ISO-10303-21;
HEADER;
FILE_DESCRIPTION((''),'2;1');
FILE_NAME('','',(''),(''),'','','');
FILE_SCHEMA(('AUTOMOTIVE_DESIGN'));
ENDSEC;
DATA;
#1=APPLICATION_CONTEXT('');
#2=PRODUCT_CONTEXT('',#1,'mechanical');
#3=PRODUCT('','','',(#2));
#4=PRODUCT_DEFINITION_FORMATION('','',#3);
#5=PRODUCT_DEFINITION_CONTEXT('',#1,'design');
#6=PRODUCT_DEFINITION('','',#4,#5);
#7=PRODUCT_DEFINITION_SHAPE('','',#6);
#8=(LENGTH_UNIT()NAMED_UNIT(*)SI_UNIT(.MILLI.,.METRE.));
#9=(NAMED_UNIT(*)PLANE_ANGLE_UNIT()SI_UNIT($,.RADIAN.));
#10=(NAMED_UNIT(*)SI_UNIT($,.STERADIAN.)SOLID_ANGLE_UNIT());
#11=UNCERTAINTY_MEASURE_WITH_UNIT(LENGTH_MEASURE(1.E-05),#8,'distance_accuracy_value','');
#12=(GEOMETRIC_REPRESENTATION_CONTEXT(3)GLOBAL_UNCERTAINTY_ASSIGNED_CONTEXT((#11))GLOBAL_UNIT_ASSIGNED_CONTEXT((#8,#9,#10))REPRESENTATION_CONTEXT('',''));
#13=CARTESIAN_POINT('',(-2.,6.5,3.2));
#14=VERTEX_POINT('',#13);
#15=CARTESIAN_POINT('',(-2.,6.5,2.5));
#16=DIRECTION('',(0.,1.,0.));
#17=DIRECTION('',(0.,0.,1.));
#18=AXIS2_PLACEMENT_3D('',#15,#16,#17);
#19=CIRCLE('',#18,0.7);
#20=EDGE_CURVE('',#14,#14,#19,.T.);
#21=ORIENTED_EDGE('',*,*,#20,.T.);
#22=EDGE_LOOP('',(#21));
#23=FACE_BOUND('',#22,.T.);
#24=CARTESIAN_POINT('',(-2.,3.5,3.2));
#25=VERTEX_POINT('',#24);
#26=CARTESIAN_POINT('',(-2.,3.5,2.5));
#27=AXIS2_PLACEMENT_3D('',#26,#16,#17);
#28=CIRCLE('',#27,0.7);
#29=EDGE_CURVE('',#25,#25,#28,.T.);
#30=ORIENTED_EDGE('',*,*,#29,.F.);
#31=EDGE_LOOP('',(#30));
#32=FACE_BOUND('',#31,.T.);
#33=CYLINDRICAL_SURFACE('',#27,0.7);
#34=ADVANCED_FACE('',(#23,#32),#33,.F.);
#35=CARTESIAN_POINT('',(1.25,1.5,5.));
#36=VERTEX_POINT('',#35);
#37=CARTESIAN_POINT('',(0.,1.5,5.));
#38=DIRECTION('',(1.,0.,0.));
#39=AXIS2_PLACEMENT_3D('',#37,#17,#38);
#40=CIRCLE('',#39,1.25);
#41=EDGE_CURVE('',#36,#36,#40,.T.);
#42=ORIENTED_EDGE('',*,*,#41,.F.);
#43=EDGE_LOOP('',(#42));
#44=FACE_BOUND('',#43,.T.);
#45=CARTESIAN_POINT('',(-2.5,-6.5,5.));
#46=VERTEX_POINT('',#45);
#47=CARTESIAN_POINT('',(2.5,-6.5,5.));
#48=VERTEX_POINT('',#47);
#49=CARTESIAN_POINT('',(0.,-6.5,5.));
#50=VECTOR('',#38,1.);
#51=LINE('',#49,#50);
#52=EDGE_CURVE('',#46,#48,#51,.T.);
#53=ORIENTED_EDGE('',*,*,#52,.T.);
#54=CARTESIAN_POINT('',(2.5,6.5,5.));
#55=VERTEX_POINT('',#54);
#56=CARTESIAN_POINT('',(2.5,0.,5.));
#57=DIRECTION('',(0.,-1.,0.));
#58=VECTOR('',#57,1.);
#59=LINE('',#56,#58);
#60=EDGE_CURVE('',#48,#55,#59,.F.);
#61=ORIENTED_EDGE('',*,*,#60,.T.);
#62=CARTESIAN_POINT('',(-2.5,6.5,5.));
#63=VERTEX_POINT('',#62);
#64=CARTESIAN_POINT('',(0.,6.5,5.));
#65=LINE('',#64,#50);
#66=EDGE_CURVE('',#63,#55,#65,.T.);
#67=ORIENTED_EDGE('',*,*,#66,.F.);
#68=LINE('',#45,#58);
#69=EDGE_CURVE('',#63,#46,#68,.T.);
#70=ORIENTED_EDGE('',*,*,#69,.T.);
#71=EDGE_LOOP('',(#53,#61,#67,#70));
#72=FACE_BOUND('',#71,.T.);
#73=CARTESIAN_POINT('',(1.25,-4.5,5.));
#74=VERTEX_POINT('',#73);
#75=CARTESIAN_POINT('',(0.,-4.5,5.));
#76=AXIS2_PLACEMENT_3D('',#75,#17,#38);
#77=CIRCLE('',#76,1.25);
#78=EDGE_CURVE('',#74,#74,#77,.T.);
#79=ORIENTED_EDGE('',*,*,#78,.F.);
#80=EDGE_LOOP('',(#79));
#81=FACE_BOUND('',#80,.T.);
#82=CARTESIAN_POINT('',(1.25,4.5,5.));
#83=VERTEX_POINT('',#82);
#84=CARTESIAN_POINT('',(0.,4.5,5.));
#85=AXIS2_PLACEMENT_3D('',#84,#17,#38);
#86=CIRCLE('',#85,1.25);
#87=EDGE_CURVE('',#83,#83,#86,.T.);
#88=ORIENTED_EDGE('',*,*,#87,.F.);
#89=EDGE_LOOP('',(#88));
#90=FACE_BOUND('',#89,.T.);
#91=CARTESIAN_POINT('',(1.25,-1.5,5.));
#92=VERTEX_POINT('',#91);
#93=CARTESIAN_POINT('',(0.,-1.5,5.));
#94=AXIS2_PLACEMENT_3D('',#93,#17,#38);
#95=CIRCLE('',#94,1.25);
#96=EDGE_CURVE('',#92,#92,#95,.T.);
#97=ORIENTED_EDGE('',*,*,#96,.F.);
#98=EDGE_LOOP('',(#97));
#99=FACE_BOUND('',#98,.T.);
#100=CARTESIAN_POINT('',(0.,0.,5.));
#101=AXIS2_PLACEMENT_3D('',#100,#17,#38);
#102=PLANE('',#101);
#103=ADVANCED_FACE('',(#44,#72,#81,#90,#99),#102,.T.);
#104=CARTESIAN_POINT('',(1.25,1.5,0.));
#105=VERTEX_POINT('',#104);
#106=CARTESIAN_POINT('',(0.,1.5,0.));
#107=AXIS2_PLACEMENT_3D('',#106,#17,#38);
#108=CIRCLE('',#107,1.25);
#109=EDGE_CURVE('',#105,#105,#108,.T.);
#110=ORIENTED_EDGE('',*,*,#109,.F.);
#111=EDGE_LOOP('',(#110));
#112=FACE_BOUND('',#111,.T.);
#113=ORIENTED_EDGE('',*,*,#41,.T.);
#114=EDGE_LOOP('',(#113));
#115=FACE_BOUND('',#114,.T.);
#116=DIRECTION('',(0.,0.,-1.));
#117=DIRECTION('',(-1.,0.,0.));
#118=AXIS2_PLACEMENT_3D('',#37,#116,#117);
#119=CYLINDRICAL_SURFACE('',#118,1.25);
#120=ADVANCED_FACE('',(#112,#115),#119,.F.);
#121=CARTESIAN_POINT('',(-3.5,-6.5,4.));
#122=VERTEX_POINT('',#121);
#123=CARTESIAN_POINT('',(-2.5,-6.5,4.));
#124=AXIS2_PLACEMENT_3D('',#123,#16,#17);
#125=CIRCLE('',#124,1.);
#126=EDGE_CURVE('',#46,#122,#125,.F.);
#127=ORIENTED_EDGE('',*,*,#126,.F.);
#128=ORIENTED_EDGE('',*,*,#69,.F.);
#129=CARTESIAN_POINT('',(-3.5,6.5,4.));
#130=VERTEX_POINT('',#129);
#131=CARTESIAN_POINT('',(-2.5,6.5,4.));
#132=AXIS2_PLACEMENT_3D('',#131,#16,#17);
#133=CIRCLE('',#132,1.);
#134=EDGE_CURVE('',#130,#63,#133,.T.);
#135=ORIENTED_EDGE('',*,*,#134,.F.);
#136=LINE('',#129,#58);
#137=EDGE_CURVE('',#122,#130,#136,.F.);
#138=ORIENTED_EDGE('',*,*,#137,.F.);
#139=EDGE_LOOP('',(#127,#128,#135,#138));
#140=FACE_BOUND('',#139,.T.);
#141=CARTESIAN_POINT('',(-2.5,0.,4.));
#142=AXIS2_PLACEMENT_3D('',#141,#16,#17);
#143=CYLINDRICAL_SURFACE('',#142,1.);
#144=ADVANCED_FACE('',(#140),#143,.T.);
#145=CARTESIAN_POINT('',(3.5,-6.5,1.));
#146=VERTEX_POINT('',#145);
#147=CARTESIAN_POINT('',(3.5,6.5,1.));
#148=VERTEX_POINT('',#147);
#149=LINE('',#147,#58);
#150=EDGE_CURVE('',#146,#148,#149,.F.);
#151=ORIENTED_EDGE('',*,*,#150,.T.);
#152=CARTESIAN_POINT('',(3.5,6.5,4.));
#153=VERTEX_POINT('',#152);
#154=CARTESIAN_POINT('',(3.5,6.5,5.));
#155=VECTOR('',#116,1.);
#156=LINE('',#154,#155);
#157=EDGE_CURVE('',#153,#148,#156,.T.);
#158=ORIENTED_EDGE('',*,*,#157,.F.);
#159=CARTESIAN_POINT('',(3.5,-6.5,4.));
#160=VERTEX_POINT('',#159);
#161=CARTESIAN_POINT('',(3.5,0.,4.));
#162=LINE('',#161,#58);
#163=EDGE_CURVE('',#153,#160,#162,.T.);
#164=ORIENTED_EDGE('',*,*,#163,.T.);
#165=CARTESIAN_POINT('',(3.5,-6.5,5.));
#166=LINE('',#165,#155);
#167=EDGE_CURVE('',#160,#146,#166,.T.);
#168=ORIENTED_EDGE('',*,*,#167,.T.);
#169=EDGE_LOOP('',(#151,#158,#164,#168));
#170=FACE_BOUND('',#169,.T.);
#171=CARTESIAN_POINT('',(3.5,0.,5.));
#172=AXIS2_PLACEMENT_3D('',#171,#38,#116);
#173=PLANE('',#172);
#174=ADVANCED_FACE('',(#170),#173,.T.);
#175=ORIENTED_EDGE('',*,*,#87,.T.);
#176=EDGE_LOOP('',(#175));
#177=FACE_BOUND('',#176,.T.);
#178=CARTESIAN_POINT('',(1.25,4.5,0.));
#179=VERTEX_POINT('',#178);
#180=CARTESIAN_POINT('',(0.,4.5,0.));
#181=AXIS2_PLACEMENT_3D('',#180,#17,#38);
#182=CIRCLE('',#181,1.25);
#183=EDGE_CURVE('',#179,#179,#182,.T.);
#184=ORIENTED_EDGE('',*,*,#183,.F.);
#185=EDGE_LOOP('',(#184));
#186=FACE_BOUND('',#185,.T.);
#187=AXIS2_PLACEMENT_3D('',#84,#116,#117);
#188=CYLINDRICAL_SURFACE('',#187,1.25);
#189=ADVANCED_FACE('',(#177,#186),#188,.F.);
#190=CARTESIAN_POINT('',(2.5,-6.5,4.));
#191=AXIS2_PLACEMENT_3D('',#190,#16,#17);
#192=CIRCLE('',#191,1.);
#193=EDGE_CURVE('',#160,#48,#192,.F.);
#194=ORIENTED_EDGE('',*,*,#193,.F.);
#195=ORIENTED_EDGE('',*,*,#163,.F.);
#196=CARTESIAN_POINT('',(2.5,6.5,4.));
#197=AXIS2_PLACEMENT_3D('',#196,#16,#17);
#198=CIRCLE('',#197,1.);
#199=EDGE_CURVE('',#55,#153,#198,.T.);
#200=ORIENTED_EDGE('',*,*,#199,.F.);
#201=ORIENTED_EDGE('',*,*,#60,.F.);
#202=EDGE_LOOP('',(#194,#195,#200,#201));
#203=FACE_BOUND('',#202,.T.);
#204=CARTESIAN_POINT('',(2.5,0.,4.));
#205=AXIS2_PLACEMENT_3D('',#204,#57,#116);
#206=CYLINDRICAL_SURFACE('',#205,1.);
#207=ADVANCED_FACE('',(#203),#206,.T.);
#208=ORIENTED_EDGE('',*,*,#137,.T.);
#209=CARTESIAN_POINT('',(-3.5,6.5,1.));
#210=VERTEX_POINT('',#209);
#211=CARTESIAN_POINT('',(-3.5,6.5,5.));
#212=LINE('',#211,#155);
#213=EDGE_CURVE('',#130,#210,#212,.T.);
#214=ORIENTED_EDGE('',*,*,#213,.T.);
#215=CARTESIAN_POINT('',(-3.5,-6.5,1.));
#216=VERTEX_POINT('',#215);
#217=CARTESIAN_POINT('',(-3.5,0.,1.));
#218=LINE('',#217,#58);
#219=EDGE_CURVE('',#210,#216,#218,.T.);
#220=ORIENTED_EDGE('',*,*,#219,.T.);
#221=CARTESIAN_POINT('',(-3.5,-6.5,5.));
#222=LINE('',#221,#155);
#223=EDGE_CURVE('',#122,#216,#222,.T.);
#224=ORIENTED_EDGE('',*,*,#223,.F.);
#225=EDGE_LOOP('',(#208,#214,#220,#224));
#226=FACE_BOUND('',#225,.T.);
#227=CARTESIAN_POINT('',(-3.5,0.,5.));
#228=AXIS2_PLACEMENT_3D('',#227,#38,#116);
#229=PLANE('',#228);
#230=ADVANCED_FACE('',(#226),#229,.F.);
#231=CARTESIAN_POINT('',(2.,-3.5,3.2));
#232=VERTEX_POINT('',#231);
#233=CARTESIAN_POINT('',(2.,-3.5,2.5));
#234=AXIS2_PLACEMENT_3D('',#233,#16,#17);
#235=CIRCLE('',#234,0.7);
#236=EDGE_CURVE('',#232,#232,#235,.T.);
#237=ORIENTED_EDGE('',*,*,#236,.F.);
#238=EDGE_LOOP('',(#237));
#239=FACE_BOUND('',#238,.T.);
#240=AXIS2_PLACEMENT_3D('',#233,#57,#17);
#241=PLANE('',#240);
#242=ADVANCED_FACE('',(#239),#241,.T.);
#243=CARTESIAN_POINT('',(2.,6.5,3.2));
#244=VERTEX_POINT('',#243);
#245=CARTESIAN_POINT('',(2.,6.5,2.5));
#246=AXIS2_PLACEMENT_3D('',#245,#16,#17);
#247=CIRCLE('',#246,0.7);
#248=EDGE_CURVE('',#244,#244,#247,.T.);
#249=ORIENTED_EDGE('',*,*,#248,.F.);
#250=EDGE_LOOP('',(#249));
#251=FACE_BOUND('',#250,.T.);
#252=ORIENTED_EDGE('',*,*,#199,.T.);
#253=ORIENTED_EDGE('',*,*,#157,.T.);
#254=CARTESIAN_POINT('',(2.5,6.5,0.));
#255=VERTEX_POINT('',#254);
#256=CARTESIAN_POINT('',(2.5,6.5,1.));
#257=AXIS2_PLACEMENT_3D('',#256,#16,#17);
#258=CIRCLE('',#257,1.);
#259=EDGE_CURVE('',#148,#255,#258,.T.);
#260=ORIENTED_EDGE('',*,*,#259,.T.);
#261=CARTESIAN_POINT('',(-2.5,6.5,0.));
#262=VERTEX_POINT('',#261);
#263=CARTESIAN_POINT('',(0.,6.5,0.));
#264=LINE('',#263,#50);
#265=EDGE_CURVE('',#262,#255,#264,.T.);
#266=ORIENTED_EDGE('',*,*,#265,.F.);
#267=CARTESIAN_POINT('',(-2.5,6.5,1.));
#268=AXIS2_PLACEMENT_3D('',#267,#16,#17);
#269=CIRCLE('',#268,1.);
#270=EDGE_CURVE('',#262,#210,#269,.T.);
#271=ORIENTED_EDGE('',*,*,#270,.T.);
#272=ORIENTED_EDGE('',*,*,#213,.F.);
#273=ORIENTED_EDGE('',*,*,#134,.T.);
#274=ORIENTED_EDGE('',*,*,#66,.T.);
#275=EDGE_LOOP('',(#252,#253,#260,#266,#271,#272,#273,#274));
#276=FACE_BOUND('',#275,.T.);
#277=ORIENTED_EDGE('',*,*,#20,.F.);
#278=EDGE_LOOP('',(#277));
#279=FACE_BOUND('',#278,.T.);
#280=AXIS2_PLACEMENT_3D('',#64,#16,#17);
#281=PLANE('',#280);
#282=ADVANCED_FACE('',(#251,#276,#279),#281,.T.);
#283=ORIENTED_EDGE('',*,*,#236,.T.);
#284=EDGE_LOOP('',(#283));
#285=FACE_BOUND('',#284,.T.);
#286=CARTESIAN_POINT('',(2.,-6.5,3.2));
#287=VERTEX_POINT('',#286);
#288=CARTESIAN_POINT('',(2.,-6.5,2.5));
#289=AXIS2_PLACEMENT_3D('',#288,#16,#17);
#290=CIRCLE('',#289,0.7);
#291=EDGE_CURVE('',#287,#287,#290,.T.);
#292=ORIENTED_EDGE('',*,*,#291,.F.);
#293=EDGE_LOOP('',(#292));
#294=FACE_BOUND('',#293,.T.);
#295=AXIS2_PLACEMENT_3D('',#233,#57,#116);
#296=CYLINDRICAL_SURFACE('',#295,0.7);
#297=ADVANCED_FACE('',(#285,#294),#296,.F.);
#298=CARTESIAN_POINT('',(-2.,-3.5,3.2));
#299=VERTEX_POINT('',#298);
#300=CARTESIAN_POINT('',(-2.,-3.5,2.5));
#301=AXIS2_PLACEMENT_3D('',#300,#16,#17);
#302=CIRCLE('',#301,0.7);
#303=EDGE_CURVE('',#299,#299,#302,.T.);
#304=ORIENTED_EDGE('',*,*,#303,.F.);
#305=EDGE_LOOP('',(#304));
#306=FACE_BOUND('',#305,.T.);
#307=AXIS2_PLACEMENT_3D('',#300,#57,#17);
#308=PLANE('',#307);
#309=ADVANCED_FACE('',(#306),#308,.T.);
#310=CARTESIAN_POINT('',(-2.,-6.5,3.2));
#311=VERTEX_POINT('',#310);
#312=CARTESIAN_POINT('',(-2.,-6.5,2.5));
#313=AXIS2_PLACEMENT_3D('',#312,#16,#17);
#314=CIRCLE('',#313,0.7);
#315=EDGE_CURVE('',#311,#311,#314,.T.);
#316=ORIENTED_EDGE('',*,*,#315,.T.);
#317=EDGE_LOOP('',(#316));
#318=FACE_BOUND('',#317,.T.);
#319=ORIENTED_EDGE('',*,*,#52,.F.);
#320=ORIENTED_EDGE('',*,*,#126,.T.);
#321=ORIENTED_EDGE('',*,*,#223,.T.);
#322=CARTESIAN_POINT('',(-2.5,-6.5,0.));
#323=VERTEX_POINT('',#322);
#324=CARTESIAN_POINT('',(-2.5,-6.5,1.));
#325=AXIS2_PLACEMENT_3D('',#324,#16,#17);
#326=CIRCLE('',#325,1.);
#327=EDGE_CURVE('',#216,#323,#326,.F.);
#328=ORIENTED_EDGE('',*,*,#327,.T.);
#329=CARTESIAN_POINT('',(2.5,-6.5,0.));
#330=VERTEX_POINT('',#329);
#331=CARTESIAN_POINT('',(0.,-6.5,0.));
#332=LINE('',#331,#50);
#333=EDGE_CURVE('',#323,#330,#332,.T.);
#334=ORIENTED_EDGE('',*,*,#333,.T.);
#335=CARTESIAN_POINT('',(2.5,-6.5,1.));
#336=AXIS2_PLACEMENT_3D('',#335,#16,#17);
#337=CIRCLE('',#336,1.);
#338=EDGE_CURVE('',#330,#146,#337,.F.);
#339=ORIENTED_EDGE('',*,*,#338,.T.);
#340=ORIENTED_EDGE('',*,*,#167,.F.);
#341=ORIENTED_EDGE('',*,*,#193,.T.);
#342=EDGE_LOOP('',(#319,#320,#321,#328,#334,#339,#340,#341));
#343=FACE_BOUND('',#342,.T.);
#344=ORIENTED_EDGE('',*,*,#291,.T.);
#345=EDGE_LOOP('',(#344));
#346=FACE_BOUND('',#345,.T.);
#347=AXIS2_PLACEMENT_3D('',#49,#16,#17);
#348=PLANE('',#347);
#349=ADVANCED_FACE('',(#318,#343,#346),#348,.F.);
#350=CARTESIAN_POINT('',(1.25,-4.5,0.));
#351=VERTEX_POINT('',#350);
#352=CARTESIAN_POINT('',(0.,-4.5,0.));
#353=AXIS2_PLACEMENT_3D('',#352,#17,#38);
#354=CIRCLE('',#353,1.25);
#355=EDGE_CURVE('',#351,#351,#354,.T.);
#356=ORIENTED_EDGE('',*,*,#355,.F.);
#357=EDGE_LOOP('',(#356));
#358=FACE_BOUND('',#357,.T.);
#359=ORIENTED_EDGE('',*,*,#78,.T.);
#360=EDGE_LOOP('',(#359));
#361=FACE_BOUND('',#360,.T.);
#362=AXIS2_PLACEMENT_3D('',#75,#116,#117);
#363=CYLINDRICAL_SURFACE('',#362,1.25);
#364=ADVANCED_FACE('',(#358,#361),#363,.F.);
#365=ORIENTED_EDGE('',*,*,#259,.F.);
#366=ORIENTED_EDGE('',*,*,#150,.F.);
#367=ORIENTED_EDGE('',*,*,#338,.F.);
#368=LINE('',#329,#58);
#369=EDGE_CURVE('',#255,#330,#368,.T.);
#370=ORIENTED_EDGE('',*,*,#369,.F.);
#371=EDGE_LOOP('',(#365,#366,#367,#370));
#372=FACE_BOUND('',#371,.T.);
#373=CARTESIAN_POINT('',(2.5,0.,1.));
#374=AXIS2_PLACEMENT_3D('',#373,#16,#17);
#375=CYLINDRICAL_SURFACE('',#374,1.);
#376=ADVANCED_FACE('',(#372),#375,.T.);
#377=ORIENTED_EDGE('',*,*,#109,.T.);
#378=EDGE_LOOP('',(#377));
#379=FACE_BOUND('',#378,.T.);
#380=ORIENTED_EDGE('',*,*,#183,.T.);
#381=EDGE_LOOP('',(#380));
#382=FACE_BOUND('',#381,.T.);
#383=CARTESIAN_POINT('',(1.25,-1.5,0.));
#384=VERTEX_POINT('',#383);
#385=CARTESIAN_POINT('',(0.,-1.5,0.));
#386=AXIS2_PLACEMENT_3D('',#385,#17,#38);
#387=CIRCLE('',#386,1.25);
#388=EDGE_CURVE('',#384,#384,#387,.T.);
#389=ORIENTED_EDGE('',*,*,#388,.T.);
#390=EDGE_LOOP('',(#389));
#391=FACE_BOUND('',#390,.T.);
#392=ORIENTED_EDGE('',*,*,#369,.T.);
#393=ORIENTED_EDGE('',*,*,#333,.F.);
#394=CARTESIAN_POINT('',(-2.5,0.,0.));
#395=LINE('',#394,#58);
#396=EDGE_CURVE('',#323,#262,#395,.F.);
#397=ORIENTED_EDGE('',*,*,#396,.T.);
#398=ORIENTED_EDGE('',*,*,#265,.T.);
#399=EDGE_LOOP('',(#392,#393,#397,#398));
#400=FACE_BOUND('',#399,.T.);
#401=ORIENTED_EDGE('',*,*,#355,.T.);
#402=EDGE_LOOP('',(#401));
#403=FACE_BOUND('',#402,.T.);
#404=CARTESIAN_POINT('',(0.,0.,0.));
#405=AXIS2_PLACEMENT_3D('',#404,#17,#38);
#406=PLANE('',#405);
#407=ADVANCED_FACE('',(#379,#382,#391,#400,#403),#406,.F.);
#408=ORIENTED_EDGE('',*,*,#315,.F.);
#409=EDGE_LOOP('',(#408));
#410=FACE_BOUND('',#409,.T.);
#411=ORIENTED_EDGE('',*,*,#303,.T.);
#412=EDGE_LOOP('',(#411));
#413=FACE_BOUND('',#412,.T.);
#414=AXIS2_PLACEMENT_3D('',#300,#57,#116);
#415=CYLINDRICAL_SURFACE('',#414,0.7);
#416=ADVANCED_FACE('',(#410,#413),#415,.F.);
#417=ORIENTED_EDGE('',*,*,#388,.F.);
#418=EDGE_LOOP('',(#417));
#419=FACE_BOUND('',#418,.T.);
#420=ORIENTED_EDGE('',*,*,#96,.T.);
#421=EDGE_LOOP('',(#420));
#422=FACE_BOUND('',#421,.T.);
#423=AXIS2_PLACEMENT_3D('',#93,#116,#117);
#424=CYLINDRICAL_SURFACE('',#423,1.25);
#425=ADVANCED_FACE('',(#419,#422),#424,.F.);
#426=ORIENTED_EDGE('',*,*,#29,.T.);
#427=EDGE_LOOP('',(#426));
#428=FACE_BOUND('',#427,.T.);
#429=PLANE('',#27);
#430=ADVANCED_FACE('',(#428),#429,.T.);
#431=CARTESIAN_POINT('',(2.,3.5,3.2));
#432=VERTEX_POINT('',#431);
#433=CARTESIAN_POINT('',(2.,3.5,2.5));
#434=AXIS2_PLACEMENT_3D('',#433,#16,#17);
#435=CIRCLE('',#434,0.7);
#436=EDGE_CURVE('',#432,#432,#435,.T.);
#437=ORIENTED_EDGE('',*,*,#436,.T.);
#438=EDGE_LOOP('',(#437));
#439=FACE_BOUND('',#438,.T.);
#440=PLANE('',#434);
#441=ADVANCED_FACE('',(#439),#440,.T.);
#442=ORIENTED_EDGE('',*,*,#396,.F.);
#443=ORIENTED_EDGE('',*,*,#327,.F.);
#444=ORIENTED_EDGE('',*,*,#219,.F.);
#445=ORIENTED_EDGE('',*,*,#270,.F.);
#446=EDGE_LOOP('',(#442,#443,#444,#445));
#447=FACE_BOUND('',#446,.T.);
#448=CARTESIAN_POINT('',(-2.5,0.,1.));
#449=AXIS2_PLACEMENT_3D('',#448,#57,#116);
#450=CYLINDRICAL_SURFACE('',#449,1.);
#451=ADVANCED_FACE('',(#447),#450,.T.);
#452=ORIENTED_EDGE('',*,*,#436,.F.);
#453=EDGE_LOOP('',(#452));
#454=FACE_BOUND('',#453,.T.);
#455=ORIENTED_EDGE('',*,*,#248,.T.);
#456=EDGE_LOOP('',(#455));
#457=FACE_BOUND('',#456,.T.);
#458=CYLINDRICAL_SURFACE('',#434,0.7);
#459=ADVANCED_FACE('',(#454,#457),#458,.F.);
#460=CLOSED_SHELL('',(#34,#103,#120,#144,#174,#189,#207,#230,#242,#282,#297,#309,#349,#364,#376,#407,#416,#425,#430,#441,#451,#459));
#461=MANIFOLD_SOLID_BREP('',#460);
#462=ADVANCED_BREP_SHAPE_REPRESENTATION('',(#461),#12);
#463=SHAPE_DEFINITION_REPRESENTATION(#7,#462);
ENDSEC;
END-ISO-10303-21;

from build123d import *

# Parameters (mm, degrees)
SKETCH2_W           = 7
SKETCH2_H           = 13
SKETCH2_R           = 1.25
BOSS_EXTRUDE1_DEPTH = 5
FILLET1_R           = 1
SKETCH3_R           = 0.7
CUT_EXTRUDE1_DEPTH  = 3


with BuildPart() as part:
    # Sketch2 → Boss-Extrude1 (new body)
    with BuildSketch(Plane.XY):
        Rectangle(SKETCH2_W, SKETCH2_H)
        with Locations((0, 4.5)):
            Circle(SKETCH2_R, mode=Mode.SUBTRACT)
        with Locations((0, 1.5)):
            Circle(SKETCH2_R, mode=Mode.SUBTRACT)
        with Locations((0, -1.5)):
            Circle(SKETCH2_R, mode=Mode.SUBTRACT)
        with Locations((0, -4.5)):
            Circle(SKETCH2_R, mode=Mode.SUBTRACT)
    extrude(amount=BOSS_EXTRUDE1_DEPTH)

    # Fillet1
    fillet1_edges = [part.edges().sort_by_distance(p)[0] for p in [
        (-3.5, 0, 0),
        (3.5, 0, 0),
        (3.5, 0, 5),
        (-3.5, 0, 5),
    ]]
    fillet(fillet1_edges, radius=FILLET1_R)

    # Sketch3 → Cut-Extrude1 (cut)
    with BuildSketch(Plane(origin=(0, 6.5, 0), x_dir=(1, 0, 0), z_dir=(0, 1, 0))):
        with Locations((-2, -2.5)):
            Circle(SKETCH3_R)
        with Locations((2, -2.5)):
            Circle(SKETCH3_R)
    cut_extrude1 = extrude(amount=-CUT_EXTRUDE1_DEPTH, mode=Mode.SUBTRACT)

    # Mirror1: Cut-Extrude1 across plane
    add(cut_extrude1.mirror(Plane.ZX), mode=Mode.SUBTRACT)


solid = part.part
